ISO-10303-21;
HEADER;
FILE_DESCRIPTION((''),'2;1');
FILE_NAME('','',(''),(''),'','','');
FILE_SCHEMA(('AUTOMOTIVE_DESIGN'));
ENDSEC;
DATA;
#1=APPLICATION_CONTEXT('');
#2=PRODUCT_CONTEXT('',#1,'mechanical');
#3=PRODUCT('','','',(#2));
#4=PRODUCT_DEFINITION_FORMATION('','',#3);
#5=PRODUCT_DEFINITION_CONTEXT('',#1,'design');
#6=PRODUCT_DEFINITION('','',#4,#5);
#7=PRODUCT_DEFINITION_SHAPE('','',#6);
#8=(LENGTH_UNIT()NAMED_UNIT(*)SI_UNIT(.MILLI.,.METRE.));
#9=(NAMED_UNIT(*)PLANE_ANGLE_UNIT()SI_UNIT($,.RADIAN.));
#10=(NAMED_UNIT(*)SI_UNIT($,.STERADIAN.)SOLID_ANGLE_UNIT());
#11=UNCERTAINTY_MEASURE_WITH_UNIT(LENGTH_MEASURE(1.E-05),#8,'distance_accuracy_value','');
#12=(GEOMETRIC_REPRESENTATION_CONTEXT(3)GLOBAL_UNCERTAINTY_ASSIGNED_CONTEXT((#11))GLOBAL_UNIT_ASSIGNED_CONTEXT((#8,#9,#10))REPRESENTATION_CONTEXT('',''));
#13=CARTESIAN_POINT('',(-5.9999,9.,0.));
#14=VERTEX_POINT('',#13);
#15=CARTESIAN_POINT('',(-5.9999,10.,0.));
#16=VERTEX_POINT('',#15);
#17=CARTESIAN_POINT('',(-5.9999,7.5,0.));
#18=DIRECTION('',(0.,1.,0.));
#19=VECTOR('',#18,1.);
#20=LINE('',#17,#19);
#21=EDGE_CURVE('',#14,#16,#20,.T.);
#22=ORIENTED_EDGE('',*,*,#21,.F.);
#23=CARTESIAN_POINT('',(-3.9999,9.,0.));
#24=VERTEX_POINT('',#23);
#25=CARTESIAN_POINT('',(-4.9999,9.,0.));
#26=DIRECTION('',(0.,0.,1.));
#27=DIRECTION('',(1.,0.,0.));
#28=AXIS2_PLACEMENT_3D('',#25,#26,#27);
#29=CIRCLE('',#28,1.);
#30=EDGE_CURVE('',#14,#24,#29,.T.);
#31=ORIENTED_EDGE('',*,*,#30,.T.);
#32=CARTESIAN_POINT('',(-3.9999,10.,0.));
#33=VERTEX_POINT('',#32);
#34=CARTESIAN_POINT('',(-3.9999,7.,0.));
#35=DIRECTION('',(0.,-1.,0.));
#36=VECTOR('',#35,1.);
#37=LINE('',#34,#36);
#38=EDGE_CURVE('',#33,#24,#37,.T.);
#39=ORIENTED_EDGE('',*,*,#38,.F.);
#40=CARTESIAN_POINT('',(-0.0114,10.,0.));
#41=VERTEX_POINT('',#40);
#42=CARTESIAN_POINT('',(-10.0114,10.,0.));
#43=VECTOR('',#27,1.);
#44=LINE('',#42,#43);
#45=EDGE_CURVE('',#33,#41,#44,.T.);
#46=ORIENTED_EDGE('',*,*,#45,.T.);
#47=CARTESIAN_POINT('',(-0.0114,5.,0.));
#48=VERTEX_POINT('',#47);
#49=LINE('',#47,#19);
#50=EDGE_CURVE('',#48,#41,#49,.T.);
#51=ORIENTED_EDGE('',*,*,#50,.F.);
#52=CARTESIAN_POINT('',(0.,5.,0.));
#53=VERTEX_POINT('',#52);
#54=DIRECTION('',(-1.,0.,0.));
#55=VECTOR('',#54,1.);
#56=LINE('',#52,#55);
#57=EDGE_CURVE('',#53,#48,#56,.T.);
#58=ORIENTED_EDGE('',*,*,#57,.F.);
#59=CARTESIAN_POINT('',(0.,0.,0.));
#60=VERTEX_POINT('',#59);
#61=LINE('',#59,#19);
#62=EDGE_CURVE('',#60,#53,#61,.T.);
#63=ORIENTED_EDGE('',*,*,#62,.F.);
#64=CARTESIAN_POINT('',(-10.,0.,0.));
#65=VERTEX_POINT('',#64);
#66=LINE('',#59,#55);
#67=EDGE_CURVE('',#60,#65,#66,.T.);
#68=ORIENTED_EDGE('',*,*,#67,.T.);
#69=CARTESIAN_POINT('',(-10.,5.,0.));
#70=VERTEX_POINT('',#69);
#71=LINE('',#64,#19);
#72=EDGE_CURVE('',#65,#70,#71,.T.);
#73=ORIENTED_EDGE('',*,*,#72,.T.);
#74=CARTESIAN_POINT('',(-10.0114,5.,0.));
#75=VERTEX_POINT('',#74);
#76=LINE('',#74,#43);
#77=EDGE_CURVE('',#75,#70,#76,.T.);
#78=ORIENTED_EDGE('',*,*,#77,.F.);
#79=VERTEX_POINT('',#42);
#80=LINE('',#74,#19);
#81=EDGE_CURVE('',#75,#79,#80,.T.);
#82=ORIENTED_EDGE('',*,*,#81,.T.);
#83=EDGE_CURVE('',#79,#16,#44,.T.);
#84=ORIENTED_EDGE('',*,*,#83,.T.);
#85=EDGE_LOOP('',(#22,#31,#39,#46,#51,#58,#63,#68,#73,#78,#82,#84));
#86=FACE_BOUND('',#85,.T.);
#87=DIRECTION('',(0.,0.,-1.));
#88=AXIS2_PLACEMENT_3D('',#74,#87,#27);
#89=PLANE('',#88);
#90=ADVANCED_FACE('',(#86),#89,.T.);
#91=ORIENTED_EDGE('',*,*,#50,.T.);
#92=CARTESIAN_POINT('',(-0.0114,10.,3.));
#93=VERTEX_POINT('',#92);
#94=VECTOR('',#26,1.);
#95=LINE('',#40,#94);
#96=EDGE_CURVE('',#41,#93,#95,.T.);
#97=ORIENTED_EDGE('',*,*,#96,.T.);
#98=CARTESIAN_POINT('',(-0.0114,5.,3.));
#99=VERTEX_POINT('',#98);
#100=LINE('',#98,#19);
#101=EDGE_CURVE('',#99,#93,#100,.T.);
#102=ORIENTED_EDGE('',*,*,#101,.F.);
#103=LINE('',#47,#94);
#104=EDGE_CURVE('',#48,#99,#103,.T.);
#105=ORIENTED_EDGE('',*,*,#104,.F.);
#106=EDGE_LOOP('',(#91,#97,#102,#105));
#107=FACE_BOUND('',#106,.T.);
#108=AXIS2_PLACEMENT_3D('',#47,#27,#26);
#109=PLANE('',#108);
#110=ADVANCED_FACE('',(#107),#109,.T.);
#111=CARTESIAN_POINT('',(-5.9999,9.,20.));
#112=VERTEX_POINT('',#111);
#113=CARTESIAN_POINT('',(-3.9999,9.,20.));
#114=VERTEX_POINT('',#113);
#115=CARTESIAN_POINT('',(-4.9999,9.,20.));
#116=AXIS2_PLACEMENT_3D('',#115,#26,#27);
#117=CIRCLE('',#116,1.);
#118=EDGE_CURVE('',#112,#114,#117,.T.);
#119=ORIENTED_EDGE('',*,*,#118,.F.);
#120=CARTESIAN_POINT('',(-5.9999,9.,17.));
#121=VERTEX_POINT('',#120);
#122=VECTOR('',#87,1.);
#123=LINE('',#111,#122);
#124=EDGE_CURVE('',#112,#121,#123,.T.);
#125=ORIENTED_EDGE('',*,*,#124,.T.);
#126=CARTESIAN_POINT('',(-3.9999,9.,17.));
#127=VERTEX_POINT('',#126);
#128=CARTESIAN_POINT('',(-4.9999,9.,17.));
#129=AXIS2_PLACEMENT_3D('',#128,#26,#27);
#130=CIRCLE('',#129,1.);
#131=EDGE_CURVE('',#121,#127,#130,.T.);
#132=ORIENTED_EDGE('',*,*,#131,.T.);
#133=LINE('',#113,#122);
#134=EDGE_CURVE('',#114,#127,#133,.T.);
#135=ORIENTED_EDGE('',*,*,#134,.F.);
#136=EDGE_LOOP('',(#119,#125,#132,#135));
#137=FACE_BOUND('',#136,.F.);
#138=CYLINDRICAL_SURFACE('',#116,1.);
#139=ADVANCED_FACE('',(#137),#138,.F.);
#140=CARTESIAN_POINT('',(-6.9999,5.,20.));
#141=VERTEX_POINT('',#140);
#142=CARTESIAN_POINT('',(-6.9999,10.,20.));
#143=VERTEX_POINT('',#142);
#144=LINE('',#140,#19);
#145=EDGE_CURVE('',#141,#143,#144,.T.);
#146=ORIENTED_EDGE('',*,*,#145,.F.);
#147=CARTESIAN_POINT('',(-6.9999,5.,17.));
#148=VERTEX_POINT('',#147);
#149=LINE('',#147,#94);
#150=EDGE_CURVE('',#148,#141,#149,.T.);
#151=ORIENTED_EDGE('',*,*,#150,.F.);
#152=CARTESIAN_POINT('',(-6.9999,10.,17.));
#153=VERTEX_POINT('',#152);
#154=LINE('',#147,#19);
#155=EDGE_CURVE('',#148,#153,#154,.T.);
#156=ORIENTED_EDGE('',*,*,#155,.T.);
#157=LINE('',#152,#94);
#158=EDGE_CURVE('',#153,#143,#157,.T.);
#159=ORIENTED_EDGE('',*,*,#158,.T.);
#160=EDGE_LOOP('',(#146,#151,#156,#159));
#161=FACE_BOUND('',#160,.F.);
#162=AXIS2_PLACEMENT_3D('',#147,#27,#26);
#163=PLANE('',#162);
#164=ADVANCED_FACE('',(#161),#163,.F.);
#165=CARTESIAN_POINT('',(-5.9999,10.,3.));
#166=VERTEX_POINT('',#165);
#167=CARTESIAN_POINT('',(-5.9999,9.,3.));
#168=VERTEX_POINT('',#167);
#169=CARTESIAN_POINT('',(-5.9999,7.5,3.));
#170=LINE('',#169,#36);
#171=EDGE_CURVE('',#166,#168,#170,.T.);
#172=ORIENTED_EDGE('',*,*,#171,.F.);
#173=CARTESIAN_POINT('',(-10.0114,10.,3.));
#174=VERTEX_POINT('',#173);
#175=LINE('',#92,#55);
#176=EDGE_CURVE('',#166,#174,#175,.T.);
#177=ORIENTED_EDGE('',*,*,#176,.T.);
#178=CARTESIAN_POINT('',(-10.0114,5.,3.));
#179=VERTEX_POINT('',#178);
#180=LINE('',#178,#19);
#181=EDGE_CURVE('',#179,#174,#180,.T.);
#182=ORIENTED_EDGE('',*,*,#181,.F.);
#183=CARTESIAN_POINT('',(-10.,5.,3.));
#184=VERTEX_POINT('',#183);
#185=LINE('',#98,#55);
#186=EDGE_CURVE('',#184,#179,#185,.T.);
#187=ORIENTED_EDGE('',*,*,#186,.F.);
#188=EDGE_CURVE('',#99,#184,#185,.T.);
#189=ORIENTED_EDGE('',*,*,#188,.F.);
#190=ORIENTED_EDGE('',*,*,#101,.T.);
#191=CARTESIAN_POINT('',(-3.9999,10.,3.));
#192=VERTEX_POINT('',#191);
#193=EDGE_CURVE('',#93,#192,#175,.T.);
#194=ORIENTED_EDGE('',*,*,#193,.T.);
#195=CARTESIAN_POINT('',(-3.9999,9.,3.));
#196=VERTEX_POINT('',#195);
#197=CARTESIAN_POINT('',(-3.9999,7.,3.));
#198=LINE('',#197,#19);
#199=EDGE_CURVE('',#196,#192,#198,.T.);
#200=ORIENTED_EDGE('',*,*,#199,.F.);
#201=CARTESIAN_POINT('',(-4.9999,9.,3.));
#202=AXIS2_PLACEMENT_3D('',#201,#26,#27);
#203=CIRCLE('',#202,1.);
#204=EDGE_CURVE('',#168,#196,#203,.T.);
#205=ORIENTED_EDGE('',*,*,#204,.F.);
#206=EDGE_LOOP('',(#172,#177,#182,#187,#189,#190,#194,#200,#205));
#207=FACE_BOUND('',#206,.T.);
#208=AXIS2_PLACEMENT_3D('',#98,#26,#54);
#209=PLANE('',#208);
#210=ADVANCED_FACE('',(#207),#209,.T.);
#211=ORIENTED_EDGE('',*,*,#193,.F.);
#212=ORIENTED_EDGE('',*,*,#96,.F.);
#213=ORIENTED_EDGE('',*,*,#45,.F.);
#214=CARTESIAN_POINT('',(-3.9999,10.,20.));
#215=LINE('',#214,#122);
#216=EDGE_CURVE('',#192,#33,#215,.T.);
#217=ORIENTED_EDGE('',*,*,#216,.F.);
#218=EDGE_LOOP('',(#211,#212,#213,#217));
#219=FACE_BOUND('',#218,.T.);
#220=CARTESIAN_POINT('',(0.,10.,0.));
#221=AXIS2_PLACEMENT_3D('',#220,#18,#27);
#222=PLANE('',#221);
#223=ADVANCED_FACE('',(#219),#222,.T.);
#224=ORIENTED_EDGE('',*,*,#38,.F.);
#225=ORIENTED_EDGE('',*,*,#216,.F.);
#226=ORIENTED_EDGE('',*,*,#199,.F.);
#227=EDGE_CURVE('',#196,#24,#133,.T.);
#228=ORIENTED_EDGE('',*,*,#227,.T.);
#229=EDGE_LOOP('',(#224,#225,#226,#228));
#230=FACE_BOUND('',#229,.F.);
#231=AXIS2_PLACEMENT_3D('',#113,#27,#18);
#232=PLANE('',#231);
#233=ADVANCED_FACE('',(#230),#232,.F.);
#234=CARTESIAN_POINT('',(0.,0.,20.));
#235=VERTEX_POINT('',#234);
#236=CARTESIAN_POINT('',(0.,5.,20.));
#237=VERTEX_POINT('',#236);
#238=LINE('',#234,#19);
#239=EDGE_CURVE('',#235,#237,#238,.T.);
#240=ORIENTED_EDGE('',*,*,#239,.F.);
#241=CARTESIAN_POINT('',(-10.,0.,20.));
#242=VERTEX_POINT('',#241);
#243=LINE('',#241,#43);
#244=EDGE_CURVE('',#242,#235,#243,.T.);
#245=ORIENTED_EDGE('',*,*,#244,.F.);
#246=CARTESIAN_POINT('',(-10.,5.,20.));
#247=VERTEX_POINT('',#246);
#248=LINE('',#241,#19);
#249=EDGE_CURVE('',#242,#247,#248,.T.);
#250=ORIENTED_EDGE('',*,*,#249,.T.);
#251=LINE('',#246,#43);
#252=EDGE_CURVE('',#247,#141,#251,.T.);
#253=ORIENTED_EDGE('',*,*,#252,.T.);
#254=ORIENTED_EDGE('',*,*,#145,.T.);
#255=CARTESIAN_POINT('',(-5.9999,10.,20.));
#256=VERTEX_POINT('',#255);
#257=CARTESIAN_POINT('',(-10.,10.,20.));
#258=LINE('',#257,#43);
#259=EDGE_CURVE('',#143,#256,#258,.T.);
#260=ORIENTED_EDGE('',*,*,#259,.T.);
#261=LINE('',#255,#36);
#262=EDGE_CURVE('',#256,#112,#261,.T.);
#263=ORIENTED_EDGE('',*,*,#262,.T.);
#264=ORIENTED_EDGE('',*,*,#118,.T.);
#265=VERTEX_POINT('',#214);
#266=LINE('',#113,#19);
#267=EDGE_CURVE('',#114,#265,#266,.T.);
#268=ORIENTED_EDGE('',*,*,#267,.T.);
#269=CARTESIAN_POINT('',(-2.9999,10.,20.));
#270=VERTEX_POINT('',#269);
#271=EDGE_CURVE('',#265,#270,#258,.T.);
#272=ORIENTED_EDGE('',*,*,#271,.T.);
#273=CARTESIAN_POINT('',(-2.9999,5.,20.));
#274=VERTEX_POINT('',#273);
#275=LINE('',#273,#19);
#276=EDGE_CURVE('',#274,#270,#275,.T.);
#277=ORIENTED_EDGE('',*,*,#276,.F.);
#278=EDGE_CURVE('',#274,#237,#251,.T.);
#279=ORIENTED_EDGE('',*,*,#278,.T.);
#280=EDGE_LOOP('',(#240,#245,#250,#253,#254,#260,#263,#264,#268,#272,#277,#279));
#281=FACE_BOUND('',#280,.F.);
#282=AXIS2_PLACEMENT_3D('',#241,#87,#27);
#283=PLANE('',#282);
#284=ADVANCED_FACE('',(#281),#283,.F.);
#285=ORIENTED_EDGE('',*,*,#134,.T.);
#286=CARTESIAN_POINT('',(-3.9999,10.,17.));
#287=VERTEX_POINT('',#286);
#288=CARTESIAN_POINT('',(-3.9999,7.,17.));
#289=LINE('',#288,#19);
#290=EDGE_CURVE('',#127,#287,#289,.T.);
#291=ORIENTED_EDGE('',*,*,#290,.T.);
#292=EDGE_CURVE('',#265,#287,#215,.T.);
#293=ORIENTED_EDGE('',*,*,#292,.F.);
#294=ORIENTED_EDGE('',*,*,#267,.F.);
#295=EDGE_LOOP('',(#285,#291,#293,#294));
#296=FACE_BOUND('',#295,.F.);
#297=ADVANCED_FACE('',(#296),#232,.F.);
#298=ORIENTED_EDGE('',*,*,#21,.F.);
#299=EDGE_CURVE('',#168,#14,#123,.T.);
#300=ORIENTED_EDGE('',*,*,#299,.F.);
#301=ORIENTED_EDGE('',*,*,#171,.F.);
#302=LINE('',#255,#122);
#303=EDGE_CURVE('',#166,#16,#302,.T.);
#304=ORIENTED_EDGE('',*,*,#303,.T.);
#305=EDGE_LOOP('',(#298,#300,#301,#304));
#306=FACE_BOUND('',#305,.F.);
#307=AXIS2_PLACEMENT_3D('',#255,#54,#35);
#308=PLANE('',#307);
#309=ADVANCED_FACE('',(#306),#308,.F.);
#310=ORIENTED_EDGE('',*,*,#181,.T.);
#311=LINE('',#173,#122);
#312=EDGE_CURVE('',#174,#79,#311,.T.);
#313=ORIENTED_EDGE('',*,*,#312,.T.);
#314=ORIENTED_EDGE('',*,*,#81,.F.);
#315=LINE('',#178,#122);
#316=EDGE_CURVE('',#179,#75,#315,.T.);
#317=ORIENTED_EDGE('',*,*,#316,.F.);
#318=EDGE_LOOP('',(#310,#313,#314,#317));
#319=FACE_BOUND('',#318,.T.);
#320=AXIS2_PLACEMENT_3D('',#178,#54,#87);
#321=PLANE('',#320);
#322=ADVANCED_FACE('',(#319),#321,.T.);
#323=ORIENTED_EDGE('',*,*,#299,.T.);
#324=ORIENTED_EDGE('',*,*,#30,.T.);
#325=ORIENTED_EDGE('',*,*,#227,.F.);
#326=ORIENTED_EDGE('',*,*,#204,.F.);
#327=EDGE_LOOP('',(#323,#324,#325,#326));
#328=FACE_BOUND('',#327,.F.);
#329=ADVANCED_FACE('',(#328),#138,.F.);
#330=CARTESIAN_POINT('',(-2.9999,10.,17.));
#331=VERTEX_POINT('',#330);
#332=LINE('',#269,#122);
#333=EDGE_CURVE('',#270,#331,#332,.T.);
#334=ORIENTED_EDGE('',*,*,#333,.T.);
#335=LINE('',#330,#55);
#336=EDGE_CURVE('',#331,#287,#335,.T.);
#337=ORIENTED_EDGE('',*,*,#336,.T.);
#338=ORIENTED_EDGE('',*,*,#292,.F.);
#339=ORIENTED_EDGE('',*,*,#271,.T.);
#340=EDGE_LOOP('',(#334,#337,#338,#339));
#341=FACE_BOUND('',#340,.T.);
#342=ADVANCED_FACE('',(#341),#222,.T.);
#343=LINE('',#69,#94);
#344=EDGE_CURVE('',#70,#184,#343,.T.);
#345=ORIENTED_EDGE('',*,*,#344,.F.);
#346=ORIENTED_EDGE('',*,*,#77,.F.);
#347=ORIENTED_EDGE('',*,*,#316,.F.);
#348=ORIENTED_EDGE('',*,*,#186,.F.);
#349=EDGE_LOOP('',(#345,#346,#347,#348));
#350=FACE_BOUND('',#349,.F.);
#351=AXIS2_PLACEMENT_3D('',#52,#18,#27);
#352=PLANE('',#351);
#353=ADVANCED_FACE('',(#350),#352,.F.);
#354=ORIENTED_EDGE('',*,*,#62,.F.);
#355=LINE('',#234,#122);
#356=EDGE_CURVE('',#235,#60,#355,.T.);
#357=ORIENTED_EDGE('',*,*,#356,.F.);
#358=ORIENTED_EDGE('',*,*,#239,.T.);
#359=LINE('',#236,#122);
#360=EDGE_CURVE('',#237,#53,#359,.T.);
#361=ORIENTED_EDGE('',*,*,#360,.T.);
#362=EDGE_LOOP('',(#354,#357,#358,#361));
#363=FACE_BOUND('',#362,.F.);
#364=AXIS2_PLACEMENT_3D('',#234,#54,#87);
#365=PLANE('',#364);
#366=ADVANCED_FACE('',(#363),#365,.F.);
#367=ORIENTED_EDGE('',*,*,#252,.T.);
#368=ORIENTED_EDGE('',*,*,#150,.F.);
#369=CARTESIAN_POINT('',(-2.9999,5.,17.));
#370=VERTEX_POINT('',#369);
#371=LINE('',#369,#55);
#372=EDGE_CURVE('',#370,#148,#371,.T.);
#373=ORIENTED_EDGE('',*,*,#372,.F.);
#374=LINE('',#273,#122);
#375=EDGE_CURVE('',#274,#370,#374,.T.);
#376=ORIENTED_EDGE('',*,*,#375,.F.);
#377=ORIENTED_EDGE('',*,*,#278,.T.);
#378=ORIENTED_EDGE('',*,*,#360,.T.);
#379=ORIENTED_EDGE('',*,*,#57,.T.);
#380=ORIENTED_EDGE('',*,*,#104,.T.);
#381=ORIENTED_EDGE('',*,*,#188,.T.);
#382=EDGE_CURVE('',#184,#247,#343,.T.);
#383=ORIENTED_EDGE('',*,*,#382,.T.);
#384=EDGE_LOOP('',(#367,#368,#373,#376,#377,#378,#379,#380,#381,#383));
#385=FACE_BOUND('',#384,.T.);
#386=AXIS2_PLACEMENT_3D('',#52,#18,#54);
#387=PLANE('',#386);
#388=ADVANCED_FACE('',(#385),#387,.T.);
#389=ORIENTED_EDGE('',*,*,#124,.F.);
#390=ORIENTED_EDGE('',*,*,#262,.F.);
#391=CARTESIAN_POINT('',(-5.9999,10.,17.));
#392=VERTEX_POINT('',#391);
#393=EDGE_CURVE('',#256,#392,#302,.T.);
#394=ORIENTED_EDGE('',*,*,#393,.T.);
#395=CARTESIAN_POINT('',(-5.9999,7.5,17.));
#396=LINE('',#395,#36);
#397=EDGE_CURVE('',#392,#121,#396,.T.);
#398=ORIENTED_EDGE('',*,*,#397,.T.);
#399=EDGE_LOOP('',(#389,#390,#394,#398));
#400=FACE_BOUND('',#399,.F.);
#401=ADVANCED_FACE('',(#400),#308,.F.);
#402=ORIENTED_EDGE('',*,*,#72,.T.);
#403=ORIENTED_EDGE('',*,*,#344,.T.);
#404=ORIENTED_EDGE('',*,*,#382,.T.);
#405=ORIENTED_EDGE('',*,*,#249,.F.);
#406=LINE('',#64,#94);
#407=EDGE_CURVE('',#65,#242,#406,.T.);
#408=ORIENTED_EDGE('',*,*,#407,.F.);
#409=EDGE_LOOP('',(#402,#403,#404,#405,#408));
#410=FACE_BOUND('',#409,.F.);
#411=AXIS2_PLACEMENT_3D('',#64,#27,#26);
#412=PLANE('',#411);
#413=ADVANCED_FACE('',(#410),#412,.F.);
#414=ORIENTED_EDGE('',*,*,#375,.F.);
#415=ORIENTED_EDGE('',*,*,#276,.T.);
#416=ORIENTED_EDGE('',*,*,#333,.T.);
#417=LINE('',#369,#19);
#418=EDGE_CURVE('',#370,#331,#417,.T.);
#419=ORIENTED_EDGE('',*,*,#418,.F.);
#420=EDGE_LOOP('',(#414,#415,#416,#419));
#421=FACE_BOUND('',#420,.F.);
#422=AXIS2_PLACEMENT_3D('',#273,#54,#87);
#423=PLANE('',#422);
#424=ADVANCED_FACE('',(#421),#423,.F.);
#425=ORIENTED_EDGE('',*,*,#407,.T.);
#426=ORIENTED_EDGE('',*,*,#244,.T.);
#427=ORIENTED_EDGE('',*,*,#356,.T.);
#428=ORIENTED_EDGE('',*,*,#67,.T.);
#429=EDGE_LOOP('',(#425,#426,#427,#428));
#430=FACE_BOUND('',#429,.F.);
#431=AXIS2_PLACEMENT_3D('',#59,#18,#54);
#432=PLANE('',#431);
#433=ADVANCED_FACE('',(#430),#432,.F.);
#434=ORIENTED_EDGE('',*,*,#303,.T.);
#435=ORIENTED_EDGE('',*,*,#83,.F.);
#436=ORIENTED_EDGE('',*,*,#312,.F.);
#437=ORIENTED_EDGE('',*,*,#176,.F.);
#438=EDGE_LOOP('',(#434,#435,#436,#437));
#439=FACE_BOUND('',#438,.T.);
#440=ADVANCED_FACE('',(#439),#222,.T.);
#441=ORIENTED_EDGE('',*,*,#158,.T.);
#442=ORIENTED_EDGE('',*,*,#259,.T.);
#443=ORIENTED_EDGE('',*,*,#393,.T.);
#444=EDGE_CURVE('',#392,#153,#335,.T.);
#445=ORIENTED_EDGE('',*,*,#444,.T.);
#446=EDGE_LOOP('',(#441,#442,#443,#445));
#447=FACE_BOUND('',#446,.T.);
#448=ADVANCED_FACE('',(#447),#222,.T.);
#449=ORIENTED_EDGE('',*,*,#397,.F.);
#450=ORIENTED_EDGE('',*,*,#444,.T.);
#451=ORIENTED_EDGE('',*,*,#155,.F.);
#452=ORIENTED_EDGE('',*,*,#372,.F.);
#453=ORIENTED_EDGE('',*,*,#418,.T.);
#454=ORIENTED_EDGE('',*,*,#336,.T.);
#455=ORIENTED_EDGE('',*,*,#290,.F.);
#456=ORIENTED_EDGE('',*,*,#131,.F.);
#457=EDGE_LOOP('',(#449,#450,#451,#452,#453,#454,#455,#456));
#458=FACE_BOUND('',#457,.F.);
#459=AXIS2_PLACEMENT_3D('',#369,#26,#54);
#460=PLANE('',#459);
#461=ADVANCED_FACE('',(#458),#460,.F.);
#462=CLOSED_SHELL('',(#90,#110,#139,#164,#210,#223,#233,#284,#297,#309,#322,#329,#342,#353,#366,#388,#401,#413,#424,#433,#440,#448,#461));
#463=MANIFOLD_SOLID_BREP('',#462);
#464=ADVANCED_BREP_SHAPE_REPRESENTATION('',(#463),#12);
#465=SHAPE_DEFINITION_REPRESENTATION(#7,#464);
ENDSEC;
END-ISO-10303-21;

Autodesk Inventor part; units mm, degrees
ref_plane "YZ Plane" through (0, 0, 0) normal (1, 0, 0) x (0, 1, 0)
ref_plane "XZ Plane" through (0, 0, 0) normal (0, 1, 0) x (-1, 0, 0)
ref_plane "XY Plane" through (0, 0, 0) normal (0, 0, 1) x (1, 0, 0)
sketch "Sketch1" plane through (0, 0, 0) normal (0, 1, 0) x (-1, 0, 0)
  line L0 (0, 0) -> (10, 0)
  line L1 (10, 0) -> (10, 20)
  line L2 (10, 20) -> (0, 20)
  line L3 (0, 20) -> (0, 0)
  dimension "d0" = 10
  dimension "d1" = 20
extrude "Extrusion1" add sketch "Sketch1" along normal blind 5
sketch "Sketch2" plane through (0, 5, 0) normal (0, 1, 0) x (1, 0, 0)
  line L0 (-10, -20) -> (0, -20) projected
  line L1 (-6.9999, -20) -> (-2.9999, -20)
  line L2 (-2.9999, -20) -> (-2.9999, -17)
  line L3 (-2.9999, -17) -> (-6.9999, -17)
  line L4 (-6.9999, -17) -> (-6.9999, -20)
  point P0 (0, 0)
  dimension "d4" = 4
  dimension "d5" = 3
extrude "Extrusion2" add sketch "Sketch2" along normal blind 5
sketch "Sketch3" plane through (0, 5, 0) normal (0, 1, 0) x (1, 0, 0)
  line L0 (-10.0114, 0) -> (-0.0114, 0)
  line L1 (-0.0114, 0) -> (-0.0114, -3)
  line L2 (-0.0114, -3) -> (-10.0114, -3)
  line L3 (-10.0114, -3) -> (-10.0114, 0)
  point P0 (0, 0)
  dimension "d8" = 10
  dimension "d9" = 3
extrude "Extrusion3" add sketch "Sketch3" along normal blind 5
sketch "Sketch4" plane through (-10, 0, 20) normal (0, 0, 1) x (1, 0, 0)
  circle A0 centre (5.0001, 9) radius 1
  point P0 (10, 0)
  dimension "d12" = 2
extrude "Extrusion4" cut sketch "Sketch4" against normal blind 21.9875
sketch "Sketch5" plane through (-10, 0, 20) normal (0, 0, 1) x (1, 0, 0)
  circle A0 centre (5.0001, 9) radius 1 projected
  line L0 (4.0001, 9) -> (6.0001, 9)
  line L1 (6.0001, 9) -> (6.0001, 10)
  line L2 (6.0001, 10) -> (4.0001, 10)
  line L3 (4.0001, 10) -> (4.0001, 9)
  point P0 (10, 0)
  dimension "d15" = 2
  dimension "d16" = 1
extrude "Extrusion5" cut sketch "Sketch5" against normal blind 22.4625 contours L3 L2 A0 | A0 L0 | A0 L2 L1 picked at (5.3251, 9.0742)
sketch "Sketch6" plane through (-10, 0, 20) normal (0, 0, 1) x (1, 0, 0)
  arc A0 (4.0001, 9) -> (6.0001, 9) centre (5.0001, 9) ccw projected
  line L0 (4.0001, 9) -> (6.0001, 9)
  line L1 (6.0001, 9) -> (6.0001, 10.3931)
  line L2 (6.0001, 10.3931) -> (4.0001, 10.3931)
  line L3 (4.0001, 10.3931) -> (4.0001, 9)
  point P0 (10, 0)
extrude "Extrusion6" cut sketch "Sketch6" against normal blind 25.1625 contours L3 L2 L1 L0
sketch "Sketch7" plane through (0, 5, 0) normal (0, 1, 0) x (1, 0, 0)
  point P0 (0, 0)
sketch "Sketch8" plane through (0, 0, 0) normal (0, 0, -1) x (-1, 0, 0)
  point P0 (0, 0)
equation "\"BendRadius\" = Thickness"
equation "\"BendReliefWidth\" = Thickness"
equation "\"BendReliefDepth\" = 0.5 * Thickness"
equation "\"CornerReliefSize\" = 4 * Thickness"
equation "\"MinimumRemnant\" = 2 * Thickness"
equation "\"TransitionRadius\" = BendRadius"
equation "\"JacobiRadiusSize\" = BendRadius"
equation "\"GapSize\" = Thickness"
equation "\"Thickness\" = 3.048"
properties part number "uchwyt_swiatlowod_2"
